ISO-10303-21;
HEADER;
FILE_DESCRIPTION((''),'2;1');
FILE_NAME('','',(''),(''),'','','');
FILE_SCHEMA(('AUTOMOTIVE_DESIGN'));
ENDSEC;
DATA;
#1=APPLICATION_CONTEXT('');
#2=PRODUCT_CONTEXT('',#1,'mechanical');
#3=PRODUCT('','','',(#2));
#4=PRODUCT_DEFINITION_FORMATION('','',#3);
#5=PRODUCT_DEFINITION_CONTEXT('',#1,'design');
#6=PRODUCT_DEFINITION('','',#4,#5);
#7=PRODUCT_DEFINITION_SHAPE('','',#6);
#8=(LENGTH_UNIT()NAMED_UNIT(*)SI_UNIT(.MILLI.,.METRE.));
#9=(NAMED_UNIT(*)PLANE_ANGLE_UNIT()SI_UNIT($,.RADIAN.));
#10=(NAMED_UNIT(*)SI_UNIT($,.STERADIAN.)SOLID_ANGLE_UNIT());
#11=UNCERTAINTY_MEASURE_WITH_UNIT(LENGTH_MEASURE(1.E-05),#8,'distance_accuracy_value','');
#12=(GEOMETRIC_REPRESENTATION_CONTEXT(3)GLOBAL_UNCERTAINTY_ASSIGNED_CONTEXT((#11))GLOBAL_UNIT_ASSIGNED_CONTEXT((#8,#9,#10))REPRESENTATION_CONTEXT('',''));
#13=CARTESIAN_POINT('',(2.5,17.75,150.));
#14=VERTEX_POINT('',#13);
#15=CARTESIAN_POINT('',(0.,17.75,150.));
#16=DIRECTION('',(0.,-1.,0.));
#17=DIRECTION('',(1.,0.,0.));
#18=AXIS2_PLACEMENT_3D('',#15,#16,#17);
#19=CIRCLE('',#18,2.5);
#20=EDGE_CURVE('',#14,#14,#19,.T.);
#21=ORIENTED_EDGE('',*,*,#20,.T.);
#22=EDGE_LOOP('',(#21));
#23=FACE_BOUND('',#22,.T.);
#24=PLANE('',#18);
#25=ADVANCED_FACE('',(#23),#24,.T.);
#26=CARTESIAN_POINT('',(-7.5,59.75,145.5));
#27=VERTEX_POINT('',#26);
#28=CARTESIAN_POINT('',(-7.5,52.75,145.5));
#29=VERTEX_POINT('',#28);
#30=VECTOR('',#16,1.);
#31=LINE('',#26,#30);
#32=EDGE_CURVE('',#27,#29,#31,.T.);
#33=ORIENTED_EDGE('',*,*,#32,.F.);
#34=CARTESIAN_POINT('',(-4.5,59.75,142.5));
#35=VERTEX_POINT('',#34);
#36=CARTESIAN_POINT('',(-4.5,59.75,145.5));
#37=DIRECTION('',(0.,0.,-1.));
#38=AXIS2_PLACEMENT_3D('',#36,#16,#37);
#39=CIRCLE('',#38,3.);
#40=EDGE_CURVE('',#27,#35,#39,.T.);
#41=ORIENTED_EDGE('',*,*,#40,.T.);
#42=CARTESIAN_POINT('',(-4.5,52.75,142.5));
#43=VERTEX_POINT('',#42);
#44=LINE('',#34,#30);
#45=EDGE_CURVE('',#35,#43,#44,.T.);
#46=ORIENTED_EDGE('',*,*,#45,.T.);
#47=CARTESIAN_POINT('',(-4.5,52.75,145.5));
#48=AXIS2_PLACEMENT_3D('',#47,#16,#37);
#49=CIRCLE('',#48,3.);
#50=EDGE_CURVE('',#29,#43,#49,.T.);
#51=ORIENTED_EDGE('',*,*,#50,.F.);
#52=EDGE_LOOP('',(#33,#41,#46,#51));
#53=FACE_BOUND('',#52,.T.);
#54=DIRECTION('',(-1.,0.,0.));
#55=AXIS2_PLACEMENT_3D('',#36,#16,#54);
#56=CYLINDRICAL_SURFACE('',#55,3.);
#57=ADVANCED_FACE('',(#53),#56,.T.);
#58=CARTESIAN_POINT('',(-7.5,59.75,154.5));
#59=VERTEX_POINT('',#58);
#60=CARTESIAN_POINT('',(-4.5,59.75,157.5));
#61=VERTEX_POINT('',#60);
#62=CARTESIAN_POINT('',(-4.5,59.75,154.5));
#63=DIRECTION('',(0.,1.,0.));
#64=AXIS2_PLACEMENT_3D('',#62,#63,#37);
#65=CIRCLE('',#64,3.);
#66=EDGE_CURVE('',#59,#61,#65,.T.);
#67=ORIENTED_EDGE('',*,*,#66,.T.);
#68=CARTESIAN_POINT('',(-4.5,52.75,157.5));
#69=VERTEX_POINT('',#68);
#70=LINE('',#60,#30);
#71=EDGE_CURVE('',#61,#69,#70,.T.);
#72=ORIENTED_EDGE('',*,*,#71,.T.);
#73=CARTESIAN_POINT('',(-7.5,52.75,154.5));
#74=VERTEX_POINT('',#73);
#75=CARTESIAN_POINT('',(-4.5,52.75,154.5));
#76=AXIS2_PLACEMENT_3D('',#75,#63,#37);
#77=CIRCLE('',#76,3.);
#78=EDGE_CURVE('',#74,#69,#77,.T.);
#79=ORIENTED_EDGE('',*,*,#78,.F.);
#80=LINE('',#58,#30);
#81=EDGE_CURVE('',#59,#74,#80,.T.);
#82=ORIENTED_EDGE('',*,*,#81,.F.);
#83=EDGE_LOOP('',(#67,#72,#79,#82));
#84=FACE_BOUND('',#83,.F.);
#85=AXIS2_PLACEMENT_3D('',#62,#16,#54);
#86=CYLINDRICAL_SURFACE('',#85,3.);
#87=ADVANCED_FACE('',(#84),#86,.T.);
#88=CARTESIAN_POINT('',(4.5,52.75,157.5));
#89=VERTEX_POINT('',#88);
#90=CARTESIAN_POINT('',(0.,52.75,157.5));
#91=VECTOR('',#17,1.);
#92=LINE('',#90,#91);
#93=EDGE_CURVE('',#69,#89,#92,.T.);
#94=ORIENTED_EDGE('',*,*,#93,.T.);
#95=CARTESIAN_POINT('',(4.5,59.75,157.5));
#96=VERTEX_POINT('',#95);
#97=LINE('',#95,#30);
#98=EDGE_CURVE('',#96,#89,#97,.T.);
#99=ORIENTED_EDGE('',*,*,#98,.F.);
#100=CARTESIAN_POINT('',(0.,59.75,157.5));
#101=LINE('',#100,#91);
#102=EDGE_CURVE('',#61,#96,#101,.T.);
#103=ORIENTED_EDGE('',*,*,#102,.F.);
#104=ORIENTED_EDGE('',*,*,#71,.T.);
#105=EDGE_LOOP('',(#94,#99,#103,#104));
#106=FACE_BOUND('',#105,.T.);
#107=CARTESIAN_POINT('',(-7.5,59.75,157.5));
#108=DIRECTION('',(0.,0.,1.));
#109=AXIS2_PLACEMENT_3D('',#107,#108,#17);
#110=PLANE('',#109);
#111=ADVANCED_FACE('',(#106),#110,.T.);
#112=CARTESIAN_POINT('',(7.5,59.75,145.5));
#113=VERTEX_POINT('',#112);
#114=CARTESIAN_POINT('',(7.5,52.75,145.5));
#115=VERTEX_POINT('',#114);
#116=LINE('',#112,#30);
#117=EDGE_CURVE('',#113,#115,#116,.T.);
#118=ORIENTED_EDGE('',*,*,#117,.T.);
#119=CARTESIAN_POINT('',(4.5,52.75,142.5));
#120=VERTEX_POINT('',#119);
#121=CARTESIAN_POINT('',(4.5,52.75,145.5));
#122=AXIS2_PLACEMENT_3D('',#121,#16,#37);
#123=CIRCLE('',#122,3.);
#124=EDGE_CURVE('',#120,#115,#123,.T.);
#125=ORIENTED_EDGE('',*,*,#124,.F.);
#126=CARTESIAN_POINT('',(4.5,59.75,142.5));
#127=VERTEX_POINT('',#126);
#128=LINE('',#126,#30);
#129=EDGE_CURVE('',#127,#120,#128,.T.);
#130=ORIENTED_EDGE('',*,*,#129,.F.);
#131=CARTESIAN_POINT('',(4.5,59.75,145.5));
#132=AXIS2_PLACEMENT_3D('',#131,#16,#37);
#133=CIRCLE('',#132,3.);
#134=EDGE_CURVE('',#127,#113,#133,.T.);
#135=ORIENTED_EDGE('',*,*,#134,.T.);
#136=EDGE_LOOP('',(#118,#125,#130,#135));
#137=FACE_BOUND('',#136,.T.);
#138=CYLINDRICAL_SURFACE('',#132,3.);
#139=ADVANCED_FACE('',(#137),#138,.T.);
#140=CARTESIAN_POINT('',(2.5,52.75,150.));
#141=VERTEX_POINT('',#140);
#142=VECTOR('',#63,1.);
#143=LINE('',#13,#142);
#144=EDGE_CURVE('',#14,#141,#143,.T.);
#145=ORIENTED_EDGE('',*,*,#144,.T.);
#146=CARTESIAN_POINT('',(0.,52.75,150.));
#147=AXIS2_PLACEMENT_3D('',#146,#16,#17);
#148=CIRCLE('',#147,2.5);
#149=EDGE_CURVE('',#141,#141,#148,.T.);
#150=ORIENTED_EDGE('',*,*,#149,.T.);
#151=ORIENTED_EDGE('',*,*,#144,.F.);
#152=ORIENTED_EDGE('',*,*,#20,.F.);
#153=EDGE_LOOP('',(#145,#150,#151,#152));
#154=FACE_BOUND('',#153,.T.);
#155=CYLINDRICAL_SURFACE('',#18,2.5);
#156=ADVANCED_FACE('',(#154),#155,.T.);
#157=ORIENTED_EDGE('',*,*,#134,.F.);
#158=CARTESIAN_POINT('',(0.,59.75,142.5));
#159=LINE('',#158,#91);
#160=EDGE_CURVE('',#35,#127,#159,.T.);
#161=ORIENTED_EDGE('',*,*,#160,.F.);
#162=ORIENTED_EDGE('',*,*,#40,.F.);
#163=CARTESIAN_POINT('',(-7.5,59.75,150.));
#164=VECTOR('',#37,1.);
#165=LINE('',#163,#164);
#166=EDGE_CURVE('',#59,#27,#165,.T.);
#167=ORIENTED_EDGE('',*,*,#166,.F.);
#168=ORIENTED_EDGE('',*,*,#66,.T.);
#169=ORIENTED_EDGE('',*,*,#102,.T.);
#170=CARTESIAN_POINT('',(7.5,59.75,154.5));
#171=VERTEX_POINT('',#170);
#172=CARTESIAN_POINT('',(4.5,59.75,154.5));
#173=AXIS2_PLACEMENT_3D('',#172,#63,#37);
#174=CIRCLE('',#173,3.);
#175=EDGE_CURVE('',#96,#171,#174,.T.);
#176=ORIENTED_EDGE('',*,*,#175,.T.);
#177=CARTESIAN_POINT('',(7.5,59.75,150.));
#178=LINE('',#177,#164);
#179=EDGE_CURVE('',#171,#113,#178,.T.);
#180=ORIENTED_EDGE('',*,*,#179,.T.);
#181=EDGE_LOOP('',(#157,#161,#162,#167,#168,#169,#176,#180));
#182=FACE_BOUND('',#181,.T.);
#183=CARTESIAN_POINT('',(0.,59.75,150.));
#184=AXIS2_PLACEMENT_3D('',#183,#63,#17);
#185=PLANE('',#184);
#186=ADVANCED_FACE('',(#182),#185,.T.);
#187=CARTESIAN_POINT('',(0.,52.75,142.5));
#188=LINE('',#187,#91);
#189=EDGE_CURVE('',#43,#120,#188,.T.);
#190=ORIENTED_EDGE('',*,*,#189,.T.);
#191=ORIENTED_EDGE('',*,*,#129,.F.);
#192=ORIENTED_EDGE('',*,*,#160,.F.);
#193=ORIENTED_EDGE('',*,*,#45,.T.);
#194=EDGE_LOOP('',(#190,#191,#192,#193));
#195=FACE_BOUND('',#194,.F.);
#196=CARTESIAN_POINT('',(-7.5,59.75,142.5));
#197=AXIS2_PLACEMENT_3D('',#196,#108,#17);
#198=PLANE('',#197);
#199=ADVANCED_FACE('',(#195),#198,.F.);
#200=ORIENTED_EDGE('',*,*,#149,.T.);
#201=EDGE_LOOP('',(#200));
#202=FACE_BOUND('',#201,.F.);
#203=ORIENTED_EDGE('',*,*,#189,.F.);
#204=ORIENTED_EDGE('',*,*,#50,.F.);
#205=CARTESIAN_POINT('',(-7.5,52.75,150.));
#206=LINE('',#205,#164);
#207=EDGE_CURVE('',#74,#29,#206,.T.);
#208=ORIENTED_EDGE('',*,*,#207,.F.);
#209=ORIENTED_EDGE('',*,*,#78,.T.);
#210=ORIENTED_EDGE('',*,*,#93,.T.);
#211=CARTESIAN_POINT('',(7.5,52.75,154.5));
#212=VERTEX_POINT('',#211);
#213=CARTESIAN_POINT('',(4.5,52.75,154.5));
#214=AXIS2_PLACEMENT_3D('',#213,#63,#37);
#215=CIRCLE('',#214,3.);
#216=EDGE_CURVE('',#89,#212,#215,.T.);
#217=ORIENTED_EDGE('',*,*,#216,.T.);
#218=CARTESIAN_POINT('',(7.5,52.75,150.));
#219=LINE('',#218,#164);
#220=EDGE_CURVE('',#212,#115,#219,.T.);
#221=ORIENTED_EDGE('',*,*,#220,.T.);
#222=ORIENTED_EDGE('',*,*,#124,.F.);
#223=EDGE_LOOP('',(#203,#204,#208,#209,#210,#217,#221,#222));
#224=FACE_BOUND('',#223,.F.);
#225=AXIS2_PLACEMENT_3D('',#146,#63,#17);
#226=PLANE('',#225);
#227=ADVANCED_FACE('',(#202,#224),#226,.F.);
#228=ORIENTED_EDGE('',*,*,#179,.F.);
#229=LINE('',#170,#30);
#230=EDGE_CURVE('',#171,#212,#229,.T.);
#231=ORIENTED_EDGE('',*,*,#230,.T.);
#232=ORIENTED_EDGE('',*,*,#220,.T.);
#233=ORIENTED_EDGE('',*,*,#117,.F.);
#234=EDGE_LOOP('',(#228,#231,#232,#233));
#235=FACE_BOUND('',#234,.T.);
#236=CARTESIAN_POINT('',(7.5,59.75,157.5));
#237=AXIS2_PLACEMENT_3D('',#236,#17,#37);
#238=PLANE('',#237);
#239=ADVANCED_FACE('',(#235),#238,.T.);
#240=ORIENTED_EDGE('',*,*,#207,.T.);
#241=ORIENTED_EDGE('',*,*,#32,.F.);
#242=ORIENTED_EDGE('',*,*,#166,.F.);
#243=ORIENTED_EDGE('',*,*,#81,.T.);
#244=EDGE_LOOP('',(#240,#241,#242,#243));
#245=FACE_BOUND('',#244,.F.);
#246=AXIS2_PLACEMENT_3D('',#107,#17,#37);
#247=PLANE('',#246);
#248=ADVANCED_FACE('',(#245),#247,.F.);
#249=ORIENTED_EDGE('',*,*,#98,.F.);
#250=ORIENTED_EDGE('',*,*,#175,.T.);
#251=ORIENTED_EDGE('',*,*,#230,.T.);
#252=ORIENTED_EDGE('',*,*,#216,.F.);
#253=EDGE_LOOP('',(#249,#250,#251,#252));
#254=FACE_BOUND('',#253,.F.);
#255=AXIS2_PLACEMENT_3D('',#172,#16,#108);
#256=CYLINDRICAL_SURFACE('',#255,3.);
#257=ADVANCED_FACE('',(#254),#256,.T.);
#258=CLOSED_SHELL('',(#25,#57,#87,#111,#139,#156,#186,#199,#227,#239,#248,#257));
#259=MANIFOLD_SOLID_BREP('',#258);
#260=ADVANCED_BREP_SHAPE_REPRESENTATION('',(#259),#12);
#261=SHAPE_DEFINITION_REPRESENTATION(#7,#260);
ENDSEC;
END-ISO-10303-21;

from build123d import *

# Parameters (mm, degrees)
SKETCH140_R  = 2.5
PAD071_DEPTH = 42
SKETCH141_W  = 15
SKETCH141_H  = 15
PAD072_DEPTH = 7
FILLET001_R  = 3


with BuildPart() as part:
    # Sketch140 → Pad071 (new body)
    with BuildSketch(Plane.XZ):
        Circle(SKETCH140_R)
    extrude(amount=-PAD071_DEPTH)

    # Sketch141 (on Face3 of Pad071) → Pad072 (join)
    with BuildSketch(Plane(origin=(0, 42, 0), x_dir=(1, 0, 0), z_dir=(0, 1, 0))):
        Rectangle(SKETCH141_W, SKETCH141_H)
    extrude(amount=-PAD072_DEPTH)

    # Fillet001
    fillet001_edges = [part.edges().sort_by_distance(p)[0] for p in [
        (7.5, 38.5, -7.5),
        (7.5, 38.5, 7.5),
        (-7.5, 38.5, 7.5),
        (-7.5, 38.5, -7.5),
    ]]
    fillet(fillet001_edges, radius=FILLET001_R)


with BuildPart() as part_1:
    # Body041 placement: moved
    add(part.part.moved(Location((0, 17.75, 150))))


solid = part_1.part
